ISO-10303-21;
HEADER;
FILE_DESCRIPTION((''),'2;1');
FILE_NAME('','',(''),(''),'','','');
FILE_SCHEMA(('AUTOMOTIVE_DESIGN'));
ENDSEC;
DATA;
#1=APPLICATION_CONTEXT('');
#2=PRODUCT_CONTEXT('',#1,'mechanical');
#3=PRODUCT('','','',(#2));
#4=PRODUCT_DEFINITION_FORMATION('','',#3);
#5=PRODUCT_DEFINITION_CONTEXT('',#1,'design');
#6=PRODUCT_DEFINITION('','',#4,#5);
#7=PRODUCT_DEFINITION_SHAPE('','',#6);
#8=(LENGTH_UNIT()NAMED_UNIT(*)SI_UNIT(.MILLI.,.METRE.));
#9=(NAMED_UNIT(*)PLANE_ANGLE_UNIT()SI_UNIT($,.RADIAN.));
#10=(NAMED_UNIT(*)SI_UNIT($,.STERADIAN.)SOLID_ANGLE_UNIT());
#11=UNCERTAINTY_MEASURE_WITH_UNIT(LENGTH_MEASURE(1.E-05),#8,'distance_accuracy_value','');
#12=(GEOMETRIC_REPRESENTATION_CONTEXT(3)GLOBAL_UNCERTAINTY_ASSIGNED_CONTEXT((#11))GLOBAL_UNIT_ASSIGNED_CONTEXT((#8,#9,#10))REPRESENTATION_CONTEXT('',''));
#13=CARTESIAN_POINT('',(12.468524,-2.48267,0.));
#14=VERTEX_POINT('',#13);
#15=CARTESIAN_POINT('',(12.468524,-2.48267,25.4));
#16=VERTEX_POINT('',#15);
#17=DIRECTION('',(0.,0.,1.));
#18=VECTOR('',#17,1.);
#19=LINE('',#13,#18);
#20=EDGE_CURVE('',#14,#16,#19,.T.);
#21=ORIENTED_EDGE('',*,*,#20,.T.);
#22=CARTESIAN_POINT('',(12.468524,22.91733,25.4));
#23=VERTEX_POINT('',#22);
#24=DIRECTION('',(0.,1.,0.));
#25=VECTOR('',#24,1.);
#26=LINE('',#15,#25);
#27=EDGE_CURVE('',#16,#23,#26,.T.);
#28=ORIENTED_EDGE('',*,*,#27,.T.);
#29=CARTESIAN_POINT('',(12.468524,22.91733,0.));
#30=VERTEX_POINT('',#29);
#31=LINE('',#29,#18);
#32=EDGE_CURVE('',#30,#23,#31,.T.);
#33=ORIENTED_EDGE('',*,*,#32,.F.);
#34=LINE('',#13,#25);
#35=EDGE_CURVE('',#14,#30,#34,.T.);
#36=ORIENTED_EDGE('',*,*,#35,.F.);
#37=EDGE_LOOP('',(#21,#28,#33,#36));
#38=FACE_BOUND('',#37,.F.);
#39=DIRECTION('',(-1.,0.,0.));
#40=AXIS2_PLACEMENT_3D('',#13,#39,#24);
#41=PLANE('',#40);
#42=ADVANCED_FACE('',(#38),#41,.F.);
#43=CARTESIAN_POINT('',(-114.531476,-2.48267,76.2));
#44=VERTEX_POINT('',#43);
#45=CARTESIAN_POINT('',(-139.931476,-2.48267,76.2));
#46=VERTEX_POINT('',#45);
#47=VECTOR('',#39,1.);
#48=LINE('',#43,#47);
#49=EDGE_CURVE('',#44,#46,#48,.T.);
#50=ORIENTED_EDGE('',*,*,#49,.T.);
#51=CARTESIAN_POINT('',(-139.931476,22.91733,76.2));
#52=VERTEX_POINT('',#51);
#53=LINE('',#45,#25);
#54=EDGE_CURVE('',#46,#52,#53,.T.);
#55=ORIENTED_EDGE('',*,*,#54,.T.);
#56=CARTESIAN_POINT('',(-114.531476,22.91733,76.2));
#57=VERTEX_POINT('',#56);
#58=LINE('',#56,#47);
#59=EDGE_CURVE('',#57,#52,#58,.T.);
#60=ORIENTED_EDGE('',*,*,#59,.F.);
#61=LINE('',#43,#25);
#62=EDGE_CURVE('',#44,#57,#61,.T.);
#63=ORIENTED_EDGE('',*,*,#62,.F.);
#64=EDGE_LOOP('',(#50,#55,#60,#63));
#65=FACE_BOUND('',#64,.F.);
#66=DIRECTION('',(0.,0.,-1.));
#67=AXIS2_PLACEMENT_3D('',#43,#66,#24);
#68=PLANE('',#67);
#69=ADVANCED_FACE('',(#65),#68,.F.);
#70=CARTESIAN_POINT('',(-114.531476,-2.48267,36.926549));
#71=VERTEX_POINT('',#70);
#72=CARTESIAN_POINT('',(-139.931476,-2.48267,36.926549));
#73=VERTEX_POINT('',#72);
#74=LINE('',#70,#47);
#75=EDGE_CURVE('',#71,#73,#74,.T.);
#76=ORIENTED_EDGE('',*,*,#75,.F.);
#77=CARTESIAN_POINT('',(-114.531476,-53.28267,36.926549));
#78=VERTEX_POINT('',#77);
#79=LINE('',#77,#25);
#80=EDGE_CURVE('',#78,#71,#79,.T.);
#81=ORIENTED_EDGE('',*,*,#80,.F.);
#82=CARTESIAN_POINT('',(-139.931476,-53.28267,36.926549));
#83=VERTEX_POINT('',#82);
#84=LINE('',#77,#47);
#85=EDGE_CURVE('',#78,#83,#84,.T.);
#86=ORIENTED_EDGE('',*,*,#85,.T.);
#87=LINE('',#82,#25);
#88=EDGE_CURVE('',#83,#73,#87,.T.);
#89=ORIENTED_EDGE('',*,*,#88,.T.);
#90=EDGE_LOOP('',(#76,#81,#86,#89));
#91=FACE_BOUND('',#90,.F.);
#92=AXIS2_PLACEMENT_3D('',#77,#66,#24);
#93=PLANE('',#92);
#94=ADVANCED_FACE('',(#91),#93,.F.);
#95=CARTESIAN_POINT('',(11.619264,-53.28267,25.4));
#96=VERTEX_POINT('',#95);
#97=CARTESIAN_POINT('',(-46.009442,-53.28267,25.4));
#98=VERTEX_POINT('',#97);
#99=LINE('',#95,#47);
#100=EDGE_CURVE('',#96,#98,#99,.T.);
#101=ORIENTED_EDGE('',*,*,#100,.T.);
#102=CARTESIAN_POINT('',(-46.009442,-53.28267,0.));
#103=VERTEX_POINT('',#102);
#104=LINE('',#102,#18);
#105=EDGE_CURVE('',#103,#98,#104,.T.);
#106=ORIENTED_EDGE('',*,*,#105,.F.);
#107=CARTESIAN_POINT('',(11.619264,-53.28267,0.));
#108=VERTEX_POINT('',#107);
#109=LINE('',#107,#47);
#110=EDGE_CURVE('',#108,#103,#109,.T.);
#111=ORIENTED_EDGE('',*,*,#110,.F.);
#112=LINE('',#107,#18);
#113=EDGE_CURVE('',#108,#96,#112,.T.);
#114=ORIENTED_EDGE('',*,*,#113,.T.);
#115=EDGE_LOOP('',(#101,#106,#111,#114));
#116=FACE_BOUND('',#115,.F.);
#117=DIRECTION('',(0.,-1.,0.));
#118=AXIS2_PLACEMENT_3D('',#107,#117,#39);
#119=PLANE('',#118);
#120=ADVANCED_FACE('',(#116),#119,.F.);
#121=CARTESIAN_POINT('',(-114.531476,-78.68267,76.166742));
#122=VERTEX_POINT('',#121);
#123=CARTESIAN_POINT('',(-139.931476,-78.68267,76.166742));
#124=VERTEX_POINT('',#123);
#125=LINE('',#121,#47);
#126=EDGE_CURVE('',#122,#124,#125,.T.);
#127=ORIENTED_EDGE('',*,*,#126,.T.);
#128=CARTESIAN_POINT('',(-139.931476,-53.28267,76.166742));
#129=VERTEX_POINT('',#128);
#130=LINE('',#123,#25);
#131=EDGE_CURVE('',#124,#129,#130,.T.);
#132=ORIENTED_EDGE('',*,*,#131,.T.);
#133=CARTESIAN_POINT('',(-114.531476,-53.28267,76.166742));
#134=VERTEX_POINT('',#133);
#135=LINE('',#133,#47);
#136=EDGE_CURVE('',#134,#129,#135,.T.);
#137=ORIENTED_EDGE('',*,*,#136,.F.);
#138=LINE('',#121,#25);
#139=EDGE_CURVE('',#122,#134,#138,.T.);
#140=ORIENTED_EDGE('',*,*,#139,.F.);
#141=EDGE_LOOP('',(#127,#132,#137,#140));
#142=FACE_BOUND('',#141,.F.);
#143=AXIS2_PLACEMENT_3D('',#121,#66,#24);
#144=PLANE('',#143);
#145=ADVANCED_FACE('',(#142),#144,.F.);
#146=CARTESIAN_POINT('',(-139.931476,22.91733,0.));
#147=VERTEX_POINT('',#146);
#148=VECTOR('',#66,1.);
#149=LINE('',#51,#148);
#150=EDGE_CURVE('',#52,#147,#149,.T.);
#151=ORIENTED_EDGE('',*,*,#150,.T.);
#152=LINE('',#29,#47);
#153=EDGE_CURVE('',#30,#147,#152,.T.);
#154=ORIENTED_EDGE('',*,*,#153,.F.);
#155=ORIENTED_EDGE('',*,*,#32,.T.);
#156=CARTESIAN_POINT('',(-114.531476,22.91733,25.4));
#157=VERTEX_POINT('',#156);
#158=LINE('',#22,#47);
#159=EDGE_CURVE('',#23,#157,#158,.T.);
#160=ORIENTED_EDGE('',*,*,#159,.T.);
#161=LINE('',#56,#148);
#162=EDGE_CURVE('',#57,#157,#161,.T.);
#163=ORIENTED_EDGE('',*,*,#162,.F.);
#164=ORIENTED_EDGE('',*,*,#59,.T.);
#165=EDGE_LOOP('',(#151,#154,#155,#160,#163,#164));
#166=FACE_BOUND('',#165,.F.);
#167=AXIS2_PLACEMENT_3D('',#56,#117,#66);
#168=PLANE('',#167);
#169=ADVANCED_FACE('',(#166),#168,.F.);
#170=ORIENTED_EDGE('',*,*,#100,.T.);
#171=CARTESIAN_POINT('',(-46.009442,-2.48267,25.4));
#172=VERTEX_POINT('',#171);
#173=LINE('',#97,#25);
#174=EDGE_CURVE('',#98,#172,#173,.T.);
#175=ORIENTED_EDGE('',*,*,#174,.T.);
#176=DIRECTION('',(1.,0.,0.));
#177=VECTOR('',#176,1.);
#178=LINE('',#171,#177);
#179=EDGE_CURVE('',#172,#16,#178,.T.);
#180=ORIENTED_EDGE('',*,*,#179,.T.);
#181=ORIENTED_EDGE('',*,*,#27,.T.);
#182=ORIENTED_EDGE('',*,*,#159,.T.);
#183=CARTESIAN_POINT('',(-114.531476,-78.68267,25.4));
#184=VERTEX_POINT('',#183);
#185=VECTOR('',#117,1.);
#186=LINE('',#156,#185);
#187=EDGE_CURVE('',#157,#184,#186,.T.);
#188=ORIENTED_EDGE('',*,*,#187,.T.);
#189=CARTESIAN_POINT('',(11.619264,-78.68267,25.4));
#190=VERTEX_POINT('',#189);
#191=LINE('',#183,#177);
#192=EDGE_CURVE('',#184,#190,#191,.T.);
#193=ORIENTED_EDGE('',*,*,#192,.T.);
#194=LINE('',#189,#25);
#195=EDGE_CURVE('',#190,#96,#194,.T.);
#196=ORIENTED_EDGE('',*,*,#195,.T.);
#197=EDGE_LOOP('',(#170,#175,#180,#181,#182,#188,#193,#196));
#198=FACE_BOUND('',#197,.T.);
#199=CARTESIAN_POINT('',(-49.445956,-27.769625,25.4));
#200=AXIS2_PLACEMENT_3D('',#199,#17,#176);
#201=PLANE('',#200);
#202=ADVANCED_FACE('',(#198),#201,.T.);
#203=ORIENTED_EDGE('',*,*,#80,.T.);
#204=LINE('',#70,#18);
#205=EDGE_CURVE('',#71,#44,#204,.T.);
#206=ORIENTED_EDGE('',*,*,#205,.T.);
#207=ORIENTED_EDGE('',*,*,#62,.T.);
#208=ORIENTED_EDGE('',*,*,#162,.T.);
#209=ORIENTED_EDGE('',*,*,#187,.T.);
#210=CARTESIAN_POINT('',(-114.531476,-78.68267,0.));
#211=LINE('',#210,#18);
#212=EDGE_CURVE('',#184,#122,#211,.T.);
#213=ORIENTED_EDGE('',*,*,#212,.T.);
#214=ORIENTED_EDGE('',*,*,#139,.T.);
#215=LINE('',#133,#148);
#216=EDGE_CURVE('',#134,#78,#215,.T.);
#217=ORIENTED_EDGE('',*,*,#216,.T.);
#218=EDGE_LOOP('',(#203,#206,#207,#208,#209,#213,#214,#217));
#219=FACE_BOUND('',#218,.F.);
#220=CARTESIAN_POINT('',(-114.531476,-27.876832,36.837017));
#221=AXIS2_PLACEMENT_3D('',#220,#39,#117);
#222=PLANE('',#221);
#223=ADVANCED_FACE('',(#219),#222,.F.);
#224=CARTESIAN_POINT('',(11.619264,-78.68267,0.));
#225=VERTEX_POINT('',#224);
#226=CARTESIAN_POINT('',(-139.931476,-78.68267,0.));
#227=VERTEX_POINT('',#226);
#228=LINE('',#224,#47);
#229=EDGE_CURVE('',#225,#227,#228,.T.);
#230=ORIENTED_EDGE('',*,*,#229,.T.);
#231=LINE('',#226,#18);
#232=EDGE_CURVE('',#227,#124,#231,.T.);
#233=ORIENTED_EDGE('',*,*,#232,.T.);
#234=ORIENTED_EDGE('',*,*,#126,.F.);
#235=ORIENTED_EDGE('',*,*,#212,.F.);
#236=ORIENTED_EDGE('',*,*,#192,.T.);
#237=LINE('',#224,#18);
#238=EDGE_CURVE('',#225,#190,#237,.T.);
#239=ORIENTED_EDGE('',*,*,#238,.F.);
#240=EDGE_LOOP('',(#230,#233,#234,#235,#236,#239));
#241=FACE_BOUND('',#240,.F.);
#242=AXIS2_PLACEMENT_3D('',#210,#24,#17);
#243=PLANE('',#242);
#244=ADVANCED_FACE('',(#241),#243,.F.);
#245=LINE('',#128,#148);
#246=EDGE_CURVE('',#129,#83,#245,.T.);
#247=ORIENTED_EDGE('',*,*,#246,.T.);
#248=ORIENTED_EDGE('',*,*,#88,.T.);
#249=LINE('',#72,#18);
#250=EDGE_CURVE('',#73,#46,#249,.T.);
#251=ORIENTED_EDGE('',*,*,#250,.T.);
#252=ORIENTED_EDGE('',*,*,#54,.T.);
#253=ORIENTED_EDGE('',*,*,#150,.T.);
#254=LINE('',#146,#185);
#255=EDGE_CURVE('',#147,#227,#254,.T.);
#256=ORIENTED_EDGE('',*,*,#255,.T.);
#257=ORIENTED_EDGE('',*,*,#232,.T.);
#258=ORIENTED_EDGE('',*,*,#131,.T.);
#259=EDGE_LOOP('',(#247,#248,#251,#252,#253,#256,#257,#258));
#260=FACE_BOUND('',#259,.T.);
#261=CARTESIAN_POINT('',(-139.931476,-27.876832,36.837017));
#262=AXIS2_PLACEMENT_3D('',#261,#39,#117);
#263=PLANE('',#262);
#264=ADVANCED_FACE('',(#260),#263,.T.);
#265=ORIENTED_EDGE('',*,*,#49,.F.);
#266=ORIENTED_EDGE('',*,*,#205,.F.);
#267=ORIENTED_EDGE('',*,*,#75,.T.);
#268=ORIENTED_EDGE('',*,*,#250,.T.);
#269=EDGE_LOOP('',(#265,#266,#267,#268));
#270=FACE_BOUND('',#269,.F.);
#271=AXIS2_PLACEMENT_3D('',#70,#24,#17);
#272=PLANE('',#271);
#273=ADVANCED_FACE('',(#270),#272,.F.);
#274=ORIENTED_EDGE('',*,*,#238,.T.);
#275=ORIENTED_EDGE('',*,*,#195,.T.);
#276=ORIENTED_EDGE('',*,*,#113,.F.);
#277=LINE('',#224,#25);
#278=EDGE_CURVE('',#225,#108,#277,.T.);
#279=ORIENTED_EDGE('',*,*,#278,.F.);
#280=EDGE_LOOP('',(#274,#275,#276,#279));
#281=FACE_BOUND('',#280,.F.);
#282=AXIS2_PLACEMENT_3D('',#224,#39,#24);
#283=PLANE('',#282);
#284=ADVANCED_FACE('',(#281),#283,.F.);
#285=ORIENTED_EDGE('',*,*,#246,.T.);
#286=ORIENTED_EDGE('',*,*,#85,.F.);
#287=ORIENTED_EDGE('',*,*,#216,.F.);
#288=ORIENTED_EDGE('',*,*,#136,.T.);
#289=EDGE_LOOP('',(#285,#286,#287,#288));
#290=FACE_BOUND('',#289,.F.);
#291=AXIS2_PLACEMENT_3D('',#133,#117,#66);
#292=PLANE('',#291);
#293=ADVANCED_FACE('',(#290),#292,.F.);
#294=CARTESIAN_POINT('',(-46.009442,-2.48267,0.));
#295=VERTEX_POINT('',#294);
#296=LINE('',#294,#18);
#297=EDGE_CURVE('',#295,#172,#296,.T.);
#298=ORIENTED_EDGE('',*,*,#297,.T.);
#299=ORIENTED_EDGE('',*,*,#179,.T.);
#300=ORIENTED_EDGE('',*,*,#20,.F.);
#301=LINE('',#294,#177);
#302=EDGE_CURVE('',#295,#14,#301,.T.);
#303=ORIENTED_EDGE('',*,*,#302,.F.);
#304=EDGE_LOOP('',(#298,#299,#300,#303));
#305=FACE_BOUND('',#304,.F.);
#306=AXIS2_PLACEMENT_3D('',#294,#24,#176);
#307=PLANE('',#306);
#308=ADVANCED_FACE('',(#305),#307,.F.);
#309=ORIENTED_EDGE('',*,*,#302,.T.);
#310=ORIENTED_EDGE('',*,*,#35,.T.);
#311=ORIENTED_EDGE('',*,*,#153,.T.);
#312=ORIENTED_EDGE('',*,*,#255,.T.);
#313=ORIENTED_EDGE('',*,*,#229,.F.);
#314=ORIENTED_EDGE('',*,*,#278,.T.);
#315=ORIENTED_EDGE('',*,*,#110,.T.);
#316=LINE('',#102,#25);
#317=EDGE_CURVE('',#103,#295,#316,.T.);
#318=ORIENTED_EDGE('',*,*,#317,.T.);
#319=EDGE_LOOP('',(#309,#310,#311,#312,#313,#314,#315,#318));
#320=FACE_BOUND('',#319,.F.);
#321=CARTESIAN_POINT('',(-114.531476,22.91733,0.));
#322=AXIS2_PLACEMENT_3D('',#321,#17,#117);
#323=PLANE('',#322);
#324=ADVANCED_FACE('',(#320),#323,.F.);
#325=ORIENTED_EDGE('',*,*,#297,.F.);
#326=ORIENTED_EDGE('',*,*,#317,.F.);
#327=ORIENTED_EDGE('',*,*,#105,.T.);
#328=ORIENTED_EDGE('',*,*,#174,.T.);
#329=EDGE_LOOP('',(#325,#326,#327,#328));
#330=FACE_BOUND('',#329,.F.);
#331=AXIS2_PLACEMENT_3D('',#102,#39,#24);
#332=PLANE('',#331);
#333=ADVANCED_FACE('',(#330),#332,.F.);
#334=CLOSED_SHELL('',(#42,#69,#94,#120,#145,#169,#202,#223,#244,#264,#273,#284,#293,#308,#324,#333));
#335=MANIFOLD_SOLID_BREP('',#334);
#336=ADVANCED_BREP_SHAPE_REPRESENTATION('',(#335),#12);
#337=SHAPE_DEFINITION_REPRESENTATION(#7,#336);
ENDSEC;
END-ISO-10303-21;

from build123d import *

# Parameters (mm, degrees)
F1_DEPTH = 25.4
F3_DEPTH = 25.4


with BuildPart() as f1:
    # F0 (on Top) → F1 (new body)
    with BuildSketch(Plane.XY):
        Polygon((12.468524, 22.91733), (-114.531476, 22.91733), (-114.531476, -78.68267), (11.619264, -78.68267), (11.619264, -53.28267), (-46.009442, -53.28267), (-46.009442, -2.48267), (12.468524, -2.48267), align=None)
    extrude(amount=F1_DEPTH)

    # F2 (on face) → F3 (join)
    with BuildSketch(Plane(origin=(-114.531476, 0, 0), x_dir=(0, -1, 0), z_dir=(-1, 0, 0))):
        Polygon((-22.91733, 76.2), (-22.91733, 0), (78.68267, 0), (78.68267, 76.166742), (53.28267, 76.166742), (53.28267, 36.926549), (2.48267, 36.926549), (2.48267, 76.2), align=None)
    extrude(amount=F3_DEPTH)


solid = f1.part
